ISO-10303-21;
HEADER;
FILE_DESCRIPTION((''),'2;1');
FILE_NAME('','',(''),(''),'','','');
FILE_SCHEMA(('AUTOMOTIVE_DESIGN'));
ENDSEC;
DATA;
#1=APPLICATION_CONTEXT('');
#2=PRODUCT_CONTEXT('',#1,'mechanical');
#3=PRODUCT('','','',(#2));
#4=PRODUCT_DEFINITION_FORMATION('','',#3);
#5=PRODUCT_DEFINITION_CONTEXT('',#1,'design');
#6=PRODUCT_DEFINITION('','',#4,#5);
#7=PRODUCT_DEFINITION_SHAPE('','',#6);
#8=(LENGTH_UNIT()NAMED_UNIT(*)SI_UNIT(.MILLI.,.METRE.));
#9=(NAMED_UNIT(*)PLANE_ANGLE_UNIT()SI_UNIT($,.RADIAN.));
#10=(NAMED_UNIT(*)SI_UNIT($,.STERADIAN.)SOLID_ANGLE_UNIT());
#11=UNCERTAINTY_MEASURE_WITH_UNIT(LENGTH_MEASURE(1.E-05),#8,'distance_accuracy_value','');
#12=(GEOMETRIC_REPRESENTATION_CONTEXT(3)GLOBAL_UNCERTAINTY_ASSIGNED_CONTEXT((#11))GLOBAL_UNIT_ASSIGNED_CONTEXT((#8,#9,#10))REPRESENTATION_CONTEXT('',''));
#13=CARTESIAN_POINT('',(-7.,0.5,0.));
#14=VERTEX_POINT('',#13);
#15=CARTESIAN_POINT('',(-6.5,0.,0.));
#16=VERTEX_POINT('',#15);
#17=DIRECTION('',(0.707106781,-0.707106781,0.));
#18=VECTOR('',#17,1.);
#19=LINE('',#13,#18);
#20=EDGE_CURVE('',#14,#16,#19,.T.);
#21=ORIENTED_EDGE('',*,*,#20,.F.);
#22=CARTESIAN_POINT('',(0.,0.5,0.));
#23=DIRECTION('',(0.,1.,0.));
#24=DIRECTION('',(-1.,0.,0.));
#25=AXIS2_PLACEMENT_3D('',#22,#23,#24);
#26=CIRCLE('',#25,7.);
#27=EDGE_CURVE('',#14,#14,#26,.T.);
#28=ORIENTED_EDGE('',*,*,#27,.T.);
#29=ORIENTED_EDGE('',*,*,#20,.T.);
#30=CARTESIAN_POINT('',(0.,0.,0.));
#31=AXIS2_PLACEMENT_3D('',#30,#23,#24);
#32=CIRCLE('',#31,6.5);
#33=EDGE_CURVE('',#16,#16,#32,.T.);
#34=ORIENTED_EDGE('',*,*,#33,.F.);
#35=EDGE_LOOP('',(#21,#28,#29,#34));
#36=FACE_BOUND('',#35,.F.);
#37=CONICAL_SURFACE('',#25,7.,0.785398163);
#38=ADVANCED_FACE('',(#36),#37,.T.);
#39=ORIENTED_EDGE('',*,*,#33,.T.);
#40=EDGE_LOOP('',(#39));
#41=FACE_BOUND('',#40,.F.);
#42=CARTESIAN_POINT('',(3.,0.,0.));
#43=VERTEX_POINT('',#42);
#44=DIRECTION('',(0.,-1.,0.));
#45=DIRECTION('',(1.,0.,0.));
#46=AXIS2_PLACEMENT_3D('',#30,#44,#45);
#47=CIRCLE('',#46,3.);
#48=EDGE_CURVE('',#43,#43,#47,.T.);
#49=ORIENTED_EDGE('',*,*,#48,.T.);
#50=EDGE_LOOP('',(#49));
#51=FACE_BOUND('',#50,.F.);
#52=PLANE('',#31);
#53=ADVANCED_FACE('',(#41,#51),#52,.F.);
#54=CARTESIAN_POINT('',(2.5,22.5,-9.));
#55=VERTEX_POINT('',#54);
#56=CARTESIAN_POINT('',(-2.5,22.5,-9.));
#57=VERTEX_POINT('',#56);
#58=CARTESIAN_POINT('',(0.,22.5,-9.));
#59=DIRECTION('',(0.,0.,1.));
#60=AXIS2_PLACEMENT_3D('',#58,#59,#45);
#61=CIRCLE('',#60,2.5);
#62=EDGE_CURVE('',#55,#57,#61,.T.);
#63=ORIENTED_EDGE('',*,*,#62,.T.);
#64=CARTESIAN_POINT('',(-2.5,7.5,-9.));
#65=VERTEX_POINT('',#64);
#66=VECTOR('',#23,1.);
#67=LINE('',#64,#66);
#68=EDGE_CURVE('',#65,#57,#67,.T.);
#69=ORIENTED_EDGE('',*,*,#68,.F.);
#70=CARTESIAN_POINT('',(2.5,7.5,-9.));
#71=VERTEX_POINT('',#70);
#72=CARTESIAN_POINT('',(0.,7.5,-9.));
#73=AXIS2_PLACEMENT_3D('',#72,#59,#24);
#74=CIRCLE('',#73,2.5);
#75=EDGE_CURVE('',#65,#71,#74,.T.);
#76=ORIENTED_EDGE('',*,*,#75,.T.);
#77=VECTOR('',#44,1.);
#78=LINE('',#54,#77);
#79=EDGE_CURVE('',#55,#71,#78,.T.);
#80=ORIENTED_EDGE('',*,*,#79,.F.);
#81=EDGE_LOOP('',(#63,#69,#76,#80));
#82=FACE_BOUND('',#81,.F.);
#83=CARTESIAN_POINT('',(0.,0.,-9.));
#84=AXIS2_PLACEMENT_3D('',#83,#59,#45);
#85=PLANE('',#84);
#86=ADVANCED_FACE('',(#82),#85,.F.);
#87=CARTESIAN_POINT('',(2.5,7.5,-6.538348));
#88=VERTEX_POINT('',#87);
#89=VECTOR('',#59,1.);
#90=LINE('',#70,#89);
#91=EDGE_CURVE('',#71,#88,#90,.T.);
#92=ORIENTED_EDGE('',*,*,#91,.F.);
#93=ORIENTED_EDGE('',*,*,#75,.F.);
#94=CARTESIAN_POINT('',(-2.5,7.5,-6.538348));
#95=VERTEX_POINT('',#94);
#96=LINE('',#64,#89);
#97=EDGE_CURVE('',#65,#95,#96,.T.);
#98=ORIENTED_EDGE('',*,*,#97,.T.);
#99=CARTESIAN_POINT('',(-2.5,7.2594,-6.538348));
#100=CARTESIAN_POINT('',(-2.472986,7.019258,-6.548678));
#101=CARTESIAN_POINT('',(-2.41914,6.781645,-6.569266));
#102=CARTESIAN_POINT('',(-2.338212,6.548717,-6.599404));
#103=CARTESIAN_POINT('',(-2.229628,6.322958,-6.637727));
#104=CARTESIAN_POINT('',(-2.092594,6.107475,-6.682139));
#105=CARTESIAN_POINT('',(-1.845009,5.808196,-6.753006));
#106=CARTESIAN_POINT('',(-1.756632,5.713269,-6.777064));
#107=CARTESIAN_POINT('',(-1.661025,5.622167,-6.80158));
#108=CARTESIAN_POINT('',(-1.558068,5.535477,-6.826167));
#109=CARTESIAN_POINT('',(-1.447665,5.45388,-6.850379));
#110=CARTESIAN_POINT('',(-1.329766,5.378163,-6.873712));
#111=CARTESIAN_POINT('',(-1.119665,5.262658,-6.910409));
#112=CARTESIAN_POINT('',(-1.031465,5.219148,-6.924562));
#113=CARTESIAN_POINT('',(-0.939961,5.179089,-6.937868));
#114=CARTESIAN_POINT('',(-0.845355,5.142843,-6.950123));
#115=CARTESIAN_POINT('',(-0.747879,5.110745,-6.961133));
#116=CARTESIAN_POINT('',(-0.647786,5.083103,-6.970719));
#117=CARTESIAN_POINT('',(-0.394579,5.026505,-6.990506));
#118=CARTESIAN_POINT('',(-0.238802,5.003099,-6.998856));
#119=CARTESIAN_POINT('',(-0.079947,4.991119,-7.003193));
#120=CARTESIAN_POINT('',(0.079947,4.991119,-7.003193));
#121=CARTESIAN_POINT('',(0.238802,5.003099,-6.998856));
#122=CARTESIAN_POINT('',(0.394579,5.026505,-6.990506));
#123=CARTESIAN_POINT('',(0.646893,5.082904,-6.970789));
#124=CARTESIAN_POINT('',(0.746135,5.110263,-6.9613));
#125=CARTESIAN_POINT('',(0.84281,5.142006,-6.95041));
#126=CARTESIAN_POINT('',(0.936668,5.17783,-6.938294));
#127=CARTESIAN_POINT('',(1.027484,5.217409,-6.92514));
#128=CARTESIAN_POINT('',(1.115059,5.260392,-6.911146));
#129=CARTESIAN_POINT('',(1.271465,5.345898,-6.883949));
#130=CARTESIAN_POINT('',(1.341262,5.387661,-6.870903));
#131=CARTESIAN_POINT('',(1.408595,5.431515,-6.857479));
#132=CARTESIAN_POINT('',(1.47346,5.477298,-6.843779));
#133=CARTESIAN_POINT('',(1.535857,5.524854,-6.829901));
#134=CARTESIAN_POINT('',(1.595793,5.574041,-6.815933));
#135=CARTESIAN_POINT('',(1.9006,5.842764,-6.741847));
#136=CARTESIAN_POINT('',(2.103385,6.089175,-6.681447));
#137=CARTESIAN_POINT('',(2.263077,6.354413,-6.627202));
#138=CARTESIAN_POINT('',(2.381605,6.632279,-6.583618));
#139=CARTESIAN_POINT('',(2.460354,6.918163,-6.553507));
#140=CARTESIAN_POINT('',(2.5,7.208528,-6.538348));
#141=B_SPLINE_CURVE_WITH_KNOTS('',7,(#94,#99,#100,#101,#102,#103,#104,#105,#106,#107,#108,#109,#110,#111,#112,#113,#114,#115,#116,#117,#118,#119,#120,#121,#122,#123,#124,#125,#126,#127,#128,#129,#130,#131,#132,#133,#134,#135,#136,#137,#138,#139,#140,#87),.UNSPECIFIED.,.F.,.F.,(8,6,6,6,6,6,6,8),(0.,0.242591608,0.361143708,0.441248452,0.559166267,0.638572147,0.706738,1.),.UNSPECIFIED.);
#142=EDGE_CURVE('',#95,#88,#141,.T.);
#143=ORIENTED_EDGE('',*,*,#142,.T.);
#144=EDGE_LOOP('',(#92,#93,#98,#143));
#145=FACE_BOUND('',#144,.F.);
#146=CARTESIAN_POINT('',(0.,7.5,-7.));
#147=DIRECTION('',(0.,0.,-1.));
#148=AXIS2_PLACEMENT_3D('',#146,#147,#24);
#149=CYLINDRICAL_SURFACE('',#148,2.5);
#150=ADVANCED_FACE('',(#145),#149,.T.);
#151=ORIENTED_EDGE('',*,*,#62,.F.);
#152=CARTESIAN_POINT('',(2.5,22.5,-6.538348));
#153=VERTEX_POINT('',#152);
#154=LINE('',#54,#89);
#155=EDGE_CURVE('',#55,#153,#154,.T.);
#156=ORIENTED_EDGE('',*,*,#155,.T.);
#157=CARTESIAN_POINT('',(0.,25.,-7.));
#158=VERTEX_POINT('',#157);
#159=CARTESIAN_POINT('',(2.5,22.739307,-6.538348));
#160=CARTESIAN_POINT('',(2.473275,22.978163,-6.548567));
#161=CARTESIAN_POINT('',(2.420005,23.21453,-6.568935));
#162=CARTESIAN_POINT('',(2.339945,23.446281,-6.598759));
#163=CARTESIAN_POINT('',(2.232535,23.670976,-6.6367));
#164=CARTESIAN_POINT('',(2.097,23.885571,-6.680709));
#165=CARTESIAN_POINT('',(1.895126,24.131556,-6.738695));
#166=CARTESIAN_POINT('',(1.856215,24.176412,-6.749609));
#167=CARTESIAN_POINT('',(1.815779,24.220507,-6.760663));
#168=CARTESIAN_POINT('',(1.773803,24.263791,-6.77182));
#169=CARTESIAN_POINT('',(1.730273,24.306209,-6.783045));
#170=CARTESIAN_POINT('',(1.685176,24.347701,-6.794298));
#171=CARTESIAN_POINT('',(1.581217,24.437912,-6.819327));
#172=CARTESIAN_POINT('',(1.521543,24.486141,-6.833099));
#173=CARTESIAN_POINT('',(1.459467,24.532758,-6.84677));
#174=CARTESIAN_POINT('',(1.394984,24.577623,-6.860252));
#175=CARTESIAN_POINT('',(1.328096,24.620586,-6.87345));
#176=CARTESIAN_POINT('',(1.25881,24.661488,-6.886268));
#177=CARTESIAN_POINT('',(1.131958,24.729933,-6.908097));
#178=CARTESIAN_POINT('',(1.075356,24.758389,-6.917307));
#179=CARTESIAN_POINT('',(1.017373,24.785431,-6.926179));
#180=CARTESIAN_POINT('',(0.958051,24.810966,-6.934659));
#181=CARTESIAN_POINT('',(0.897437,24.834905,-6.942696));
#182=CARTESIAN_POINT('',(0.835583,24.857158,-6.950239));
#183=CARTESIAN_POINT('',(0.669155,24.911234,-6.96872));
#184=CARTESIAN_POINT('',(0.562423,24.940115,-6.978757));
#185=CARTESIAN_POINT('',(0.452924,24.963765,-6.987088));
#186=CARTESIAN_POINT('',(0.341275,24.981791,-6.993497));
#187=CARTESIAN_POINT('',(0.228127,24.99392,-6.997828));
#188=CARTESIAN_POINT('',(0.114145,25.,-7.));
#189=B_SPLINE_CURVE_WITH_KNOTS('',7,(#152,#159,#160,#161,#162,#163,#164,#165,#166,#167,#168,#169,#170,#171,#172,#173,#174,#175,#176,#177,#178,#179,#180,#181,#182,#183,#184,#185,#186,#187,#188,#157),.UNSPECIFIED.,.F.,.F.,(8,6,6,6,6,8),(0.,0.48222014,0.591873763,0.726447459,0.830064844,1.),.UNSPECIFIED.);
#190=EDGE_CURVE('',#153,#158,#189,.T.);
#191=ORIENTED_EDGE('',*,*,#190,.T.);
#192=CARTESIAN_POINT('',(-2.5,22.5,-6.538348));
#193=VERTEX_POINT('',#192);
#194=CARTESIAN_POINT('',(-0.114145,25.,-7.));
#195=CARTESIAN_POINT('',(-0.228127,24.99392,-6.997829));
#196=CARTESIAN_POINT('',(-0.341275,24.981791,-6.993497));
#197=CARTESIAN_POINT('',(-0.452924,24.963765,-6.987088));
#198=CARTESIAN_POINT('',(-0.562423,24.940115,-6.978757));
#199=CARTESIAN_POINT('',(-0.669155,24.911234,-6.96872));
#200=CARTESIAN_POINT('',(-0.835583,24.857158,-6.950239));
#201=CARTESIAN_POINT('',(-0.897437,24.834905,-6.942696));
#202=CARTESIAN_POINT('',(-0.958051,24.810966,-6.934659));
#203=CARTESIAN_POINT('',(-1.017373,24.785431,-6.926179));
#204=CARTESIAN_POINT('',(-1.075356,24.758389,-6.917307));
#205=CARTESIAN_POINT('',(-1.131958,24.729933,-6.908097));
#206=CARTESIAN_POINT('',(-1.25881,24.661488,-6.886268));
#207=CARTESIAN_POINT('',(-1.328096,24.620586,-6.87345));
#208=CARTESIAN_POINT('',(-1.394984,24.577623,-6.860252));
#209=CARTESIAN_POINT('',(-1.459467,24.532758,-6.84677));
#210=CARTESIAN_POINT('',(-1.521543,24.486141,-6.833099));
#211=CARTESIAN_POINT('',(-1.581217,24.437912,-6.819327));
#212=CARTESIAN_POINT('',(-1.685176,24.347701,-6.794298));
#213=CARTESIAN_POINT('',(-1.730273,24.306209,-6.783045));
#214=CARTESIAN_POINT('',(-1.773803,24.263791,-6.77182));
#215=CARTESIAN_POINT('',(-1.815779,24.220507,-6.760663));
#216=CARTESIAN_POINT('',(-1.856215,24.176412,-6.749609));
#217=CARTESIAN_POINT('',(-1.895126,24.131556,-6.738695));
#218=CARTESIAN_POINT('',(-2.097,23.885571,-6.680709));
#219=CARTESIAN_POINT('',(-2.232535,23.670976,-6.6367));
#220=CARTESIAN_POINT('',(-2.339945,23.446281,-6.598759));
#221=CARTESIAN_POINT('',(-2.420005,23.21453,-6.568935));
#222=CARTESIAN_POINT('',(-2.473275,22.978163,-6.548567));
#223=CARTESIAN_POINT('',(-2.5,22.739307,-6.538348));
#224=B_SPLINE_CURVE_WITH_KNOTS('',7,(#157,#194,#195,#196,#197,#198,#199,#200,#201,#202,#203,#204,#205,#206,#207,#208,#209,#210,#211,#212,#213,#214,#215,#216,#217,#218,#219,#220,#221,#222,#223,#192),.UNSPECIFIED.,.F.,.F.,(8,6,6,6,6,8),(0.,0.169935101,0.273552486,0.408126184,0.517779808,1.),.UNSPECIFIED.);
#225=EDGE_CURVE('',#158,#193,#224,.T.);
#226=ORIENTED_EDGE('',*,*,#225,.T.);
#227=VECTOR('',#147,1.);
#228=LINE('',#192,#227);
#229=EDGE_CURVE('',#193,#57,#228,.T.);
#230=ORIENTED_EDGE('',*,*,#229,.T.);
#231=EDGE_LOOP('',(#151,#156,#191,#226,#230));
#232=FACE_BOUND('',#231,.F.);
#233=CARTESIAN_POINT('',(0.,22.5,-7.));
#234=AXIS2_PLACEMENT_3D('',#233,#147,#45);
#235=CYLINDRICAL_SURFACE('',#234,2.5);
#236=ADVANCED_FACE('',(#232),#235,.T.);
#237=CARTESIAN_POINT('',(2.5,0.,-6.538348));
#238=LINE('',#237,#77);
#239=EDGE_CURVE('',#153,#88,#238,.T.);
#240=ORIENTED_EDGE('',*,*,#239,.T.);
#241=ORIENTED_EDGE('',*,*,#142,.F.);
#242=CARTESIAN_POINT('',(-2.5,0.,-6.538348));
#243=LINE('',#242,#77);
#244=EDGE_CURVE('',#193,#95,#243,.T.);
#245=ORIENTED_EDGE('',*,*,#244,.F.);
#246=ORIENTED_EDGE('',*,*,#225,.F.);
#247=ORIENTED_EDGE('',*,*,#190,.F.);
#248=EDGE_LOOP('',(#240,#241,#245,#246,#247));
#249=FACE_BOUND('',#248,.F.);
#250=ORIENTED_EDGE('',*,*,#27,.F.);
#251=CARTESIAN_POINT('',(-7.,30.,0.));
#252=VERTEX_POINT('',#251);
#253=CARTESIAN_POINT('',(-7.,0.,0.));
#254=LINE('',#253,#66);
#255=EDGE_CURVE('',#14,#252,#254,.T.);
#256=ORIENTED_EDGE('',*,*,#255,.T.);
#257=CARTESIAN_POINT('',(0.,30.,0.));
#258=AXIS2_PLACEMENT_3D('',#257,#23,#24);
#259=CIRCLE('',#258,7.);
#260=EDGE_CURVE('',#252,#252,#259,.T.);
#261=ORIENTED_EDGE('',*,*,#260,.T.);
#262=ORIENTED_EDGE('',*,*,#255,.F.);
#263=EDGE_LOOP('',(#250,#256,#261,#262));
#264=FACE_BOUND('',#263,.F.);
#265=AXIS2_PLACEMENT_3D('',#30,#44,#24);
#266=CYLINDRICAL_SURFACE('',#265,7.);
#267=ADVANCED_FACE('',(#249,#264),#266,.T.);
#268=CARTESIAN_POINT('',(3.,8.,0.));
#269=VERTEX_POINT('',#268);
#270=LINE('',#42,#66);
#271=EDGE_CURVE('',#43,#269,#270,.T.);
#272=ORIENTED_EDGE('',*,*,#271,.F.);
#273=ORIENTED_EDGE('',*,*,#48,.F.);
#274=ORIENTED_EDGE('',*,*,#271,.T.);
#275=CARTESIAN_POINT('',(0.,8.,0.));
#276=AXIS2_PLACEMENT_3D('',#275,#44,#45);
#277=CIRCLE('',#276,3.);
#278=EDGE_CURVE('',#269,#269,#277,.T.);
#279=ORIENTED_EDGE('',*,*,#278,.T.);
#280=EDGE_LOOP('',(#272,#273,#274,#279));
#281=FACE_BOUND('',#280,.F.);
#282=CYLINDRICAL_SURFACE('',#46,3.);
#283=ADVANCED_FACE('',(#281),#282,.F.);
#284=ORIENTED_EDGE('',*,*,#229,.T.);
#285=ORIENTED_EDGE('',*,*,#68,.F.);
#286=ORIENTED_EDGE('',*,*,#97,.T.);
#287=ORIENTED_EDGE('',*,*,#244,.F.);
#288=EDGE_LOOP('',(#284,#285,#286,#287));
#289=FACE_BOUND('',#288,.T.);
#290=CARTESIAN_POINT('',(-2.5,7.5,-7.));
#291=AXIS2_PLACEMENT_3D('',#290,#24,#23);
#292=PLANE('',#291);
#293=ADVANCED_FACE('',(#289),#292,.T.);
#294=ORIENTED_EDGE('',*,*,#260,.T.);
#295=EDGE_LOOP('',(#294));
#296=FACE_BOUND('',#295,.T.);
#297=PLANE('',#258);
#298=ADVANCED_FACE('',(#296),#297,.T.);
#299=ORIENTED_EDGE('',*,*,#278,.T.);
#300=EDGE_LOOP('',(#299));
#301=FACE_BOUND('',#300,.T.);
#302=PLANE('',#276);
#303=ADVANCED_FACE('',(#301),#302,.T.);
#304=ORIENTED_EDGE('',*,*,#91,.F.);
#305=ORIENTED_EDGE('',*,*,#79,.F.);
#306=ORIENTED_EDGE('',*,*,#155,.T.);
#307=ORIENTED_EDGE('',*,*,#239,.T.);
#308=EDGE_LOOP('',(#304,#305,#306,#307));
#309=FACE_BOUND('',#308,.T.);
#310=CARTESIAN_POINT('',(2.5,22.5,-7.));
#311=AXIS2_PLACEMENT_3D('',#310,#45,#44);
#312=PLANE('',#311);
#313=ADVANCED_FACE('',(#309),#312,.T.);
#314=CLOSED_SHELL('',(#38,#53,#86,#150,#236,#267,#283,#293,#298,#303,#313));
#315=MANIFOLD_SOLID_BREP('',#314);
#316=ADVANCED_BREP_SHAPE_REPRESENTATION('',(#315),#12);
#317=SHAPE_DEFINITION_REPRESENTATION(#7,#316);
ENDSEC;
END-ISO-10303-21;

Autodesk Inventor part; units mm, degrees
ref_plane "YZ Plane" through (0, 0, 0) normal (1, 0, 0) x (0, 1, 0)
ref_plane "XZ Plane" through (0, 0, 0) normal (0, 1, 0) x (-1, 0, 0)
sketch "Sketch1" plane through (0, 0, 0) normal (0, 1, 0) x (-1, 0, 0)
  circle A0 centre (0, 0) radius 7
  dimension "d0" = 14
extrude "Extrusion1" add sketch "Sketch1" along normal blind 30
sketch "Sketch2" plane through (0, 0, 0) normal (0, -1, 0) x (1, 0, 0)
  point P0 (0, 0)
ref_plane "Work Plane1" through (0, 0, -7) normal (0, 0, 1) x (1, 0, 0)
sketch "Sketch3" plane through (0, 0, -7) normal (0, 0, 1) x (1, 0, 0)
  line L0 (0, 5) -> (0, 5)
  line L1 (-2.5, 7.5) -> (-2.5, 22.5)
  line L2 (0, 25) -> (0, 25)
  line L3 (2.5, 22.5) -> (2.5, 7.5)
  line L4 (7, 0) -> (-7, 0) projected
  arc A0 (0, 5) -> (2.5, 7.5) centre (0, 7.5) ccw
  arc A1 (-2.5, 7.5) -> (0, 5) centre (0, 7.5) ccw
  arc A2 (0, 25) -> (-2.5, 22.5) centre (0, 22.5) ccw
  arc A3 (2.5, 22.5) -> (0, 25) centre (0, 22.5) ccw
  point P0 (0, 0)
  point P1 (2.5, 5)
  point P2 (2.5, 25)
  point P3 (0, 5)
  point P4 (0, 25)
  dimension "d3" = 5
  dimension "d4" = 20
  dimension "d5" = 5
  dimension "d6" = 2.5
  dimension "d7" = 2.5
extrude "Extrusion2" add sketch "Sketch3" along normal blind 1 and the other way blind 2
sketch "Sketch4" plane through (0, 0, 0) normal (0, -1, 0) x (1, 0, 0)
  circle A0 centre (0, 0) radius 3
  dimension "d12" = 6
extrude "Extrusion3" cut sketch "Sketch4" against normal blind 8
chamfer "Chamfer1" distance 0.5 angle 45 1 edges at (7, 0, 0)
thread "Thread1" size "M6x1" class "6H" standard "ANSI Metric M Profile" length 60
properties part number "inputshaft nmrv50"
